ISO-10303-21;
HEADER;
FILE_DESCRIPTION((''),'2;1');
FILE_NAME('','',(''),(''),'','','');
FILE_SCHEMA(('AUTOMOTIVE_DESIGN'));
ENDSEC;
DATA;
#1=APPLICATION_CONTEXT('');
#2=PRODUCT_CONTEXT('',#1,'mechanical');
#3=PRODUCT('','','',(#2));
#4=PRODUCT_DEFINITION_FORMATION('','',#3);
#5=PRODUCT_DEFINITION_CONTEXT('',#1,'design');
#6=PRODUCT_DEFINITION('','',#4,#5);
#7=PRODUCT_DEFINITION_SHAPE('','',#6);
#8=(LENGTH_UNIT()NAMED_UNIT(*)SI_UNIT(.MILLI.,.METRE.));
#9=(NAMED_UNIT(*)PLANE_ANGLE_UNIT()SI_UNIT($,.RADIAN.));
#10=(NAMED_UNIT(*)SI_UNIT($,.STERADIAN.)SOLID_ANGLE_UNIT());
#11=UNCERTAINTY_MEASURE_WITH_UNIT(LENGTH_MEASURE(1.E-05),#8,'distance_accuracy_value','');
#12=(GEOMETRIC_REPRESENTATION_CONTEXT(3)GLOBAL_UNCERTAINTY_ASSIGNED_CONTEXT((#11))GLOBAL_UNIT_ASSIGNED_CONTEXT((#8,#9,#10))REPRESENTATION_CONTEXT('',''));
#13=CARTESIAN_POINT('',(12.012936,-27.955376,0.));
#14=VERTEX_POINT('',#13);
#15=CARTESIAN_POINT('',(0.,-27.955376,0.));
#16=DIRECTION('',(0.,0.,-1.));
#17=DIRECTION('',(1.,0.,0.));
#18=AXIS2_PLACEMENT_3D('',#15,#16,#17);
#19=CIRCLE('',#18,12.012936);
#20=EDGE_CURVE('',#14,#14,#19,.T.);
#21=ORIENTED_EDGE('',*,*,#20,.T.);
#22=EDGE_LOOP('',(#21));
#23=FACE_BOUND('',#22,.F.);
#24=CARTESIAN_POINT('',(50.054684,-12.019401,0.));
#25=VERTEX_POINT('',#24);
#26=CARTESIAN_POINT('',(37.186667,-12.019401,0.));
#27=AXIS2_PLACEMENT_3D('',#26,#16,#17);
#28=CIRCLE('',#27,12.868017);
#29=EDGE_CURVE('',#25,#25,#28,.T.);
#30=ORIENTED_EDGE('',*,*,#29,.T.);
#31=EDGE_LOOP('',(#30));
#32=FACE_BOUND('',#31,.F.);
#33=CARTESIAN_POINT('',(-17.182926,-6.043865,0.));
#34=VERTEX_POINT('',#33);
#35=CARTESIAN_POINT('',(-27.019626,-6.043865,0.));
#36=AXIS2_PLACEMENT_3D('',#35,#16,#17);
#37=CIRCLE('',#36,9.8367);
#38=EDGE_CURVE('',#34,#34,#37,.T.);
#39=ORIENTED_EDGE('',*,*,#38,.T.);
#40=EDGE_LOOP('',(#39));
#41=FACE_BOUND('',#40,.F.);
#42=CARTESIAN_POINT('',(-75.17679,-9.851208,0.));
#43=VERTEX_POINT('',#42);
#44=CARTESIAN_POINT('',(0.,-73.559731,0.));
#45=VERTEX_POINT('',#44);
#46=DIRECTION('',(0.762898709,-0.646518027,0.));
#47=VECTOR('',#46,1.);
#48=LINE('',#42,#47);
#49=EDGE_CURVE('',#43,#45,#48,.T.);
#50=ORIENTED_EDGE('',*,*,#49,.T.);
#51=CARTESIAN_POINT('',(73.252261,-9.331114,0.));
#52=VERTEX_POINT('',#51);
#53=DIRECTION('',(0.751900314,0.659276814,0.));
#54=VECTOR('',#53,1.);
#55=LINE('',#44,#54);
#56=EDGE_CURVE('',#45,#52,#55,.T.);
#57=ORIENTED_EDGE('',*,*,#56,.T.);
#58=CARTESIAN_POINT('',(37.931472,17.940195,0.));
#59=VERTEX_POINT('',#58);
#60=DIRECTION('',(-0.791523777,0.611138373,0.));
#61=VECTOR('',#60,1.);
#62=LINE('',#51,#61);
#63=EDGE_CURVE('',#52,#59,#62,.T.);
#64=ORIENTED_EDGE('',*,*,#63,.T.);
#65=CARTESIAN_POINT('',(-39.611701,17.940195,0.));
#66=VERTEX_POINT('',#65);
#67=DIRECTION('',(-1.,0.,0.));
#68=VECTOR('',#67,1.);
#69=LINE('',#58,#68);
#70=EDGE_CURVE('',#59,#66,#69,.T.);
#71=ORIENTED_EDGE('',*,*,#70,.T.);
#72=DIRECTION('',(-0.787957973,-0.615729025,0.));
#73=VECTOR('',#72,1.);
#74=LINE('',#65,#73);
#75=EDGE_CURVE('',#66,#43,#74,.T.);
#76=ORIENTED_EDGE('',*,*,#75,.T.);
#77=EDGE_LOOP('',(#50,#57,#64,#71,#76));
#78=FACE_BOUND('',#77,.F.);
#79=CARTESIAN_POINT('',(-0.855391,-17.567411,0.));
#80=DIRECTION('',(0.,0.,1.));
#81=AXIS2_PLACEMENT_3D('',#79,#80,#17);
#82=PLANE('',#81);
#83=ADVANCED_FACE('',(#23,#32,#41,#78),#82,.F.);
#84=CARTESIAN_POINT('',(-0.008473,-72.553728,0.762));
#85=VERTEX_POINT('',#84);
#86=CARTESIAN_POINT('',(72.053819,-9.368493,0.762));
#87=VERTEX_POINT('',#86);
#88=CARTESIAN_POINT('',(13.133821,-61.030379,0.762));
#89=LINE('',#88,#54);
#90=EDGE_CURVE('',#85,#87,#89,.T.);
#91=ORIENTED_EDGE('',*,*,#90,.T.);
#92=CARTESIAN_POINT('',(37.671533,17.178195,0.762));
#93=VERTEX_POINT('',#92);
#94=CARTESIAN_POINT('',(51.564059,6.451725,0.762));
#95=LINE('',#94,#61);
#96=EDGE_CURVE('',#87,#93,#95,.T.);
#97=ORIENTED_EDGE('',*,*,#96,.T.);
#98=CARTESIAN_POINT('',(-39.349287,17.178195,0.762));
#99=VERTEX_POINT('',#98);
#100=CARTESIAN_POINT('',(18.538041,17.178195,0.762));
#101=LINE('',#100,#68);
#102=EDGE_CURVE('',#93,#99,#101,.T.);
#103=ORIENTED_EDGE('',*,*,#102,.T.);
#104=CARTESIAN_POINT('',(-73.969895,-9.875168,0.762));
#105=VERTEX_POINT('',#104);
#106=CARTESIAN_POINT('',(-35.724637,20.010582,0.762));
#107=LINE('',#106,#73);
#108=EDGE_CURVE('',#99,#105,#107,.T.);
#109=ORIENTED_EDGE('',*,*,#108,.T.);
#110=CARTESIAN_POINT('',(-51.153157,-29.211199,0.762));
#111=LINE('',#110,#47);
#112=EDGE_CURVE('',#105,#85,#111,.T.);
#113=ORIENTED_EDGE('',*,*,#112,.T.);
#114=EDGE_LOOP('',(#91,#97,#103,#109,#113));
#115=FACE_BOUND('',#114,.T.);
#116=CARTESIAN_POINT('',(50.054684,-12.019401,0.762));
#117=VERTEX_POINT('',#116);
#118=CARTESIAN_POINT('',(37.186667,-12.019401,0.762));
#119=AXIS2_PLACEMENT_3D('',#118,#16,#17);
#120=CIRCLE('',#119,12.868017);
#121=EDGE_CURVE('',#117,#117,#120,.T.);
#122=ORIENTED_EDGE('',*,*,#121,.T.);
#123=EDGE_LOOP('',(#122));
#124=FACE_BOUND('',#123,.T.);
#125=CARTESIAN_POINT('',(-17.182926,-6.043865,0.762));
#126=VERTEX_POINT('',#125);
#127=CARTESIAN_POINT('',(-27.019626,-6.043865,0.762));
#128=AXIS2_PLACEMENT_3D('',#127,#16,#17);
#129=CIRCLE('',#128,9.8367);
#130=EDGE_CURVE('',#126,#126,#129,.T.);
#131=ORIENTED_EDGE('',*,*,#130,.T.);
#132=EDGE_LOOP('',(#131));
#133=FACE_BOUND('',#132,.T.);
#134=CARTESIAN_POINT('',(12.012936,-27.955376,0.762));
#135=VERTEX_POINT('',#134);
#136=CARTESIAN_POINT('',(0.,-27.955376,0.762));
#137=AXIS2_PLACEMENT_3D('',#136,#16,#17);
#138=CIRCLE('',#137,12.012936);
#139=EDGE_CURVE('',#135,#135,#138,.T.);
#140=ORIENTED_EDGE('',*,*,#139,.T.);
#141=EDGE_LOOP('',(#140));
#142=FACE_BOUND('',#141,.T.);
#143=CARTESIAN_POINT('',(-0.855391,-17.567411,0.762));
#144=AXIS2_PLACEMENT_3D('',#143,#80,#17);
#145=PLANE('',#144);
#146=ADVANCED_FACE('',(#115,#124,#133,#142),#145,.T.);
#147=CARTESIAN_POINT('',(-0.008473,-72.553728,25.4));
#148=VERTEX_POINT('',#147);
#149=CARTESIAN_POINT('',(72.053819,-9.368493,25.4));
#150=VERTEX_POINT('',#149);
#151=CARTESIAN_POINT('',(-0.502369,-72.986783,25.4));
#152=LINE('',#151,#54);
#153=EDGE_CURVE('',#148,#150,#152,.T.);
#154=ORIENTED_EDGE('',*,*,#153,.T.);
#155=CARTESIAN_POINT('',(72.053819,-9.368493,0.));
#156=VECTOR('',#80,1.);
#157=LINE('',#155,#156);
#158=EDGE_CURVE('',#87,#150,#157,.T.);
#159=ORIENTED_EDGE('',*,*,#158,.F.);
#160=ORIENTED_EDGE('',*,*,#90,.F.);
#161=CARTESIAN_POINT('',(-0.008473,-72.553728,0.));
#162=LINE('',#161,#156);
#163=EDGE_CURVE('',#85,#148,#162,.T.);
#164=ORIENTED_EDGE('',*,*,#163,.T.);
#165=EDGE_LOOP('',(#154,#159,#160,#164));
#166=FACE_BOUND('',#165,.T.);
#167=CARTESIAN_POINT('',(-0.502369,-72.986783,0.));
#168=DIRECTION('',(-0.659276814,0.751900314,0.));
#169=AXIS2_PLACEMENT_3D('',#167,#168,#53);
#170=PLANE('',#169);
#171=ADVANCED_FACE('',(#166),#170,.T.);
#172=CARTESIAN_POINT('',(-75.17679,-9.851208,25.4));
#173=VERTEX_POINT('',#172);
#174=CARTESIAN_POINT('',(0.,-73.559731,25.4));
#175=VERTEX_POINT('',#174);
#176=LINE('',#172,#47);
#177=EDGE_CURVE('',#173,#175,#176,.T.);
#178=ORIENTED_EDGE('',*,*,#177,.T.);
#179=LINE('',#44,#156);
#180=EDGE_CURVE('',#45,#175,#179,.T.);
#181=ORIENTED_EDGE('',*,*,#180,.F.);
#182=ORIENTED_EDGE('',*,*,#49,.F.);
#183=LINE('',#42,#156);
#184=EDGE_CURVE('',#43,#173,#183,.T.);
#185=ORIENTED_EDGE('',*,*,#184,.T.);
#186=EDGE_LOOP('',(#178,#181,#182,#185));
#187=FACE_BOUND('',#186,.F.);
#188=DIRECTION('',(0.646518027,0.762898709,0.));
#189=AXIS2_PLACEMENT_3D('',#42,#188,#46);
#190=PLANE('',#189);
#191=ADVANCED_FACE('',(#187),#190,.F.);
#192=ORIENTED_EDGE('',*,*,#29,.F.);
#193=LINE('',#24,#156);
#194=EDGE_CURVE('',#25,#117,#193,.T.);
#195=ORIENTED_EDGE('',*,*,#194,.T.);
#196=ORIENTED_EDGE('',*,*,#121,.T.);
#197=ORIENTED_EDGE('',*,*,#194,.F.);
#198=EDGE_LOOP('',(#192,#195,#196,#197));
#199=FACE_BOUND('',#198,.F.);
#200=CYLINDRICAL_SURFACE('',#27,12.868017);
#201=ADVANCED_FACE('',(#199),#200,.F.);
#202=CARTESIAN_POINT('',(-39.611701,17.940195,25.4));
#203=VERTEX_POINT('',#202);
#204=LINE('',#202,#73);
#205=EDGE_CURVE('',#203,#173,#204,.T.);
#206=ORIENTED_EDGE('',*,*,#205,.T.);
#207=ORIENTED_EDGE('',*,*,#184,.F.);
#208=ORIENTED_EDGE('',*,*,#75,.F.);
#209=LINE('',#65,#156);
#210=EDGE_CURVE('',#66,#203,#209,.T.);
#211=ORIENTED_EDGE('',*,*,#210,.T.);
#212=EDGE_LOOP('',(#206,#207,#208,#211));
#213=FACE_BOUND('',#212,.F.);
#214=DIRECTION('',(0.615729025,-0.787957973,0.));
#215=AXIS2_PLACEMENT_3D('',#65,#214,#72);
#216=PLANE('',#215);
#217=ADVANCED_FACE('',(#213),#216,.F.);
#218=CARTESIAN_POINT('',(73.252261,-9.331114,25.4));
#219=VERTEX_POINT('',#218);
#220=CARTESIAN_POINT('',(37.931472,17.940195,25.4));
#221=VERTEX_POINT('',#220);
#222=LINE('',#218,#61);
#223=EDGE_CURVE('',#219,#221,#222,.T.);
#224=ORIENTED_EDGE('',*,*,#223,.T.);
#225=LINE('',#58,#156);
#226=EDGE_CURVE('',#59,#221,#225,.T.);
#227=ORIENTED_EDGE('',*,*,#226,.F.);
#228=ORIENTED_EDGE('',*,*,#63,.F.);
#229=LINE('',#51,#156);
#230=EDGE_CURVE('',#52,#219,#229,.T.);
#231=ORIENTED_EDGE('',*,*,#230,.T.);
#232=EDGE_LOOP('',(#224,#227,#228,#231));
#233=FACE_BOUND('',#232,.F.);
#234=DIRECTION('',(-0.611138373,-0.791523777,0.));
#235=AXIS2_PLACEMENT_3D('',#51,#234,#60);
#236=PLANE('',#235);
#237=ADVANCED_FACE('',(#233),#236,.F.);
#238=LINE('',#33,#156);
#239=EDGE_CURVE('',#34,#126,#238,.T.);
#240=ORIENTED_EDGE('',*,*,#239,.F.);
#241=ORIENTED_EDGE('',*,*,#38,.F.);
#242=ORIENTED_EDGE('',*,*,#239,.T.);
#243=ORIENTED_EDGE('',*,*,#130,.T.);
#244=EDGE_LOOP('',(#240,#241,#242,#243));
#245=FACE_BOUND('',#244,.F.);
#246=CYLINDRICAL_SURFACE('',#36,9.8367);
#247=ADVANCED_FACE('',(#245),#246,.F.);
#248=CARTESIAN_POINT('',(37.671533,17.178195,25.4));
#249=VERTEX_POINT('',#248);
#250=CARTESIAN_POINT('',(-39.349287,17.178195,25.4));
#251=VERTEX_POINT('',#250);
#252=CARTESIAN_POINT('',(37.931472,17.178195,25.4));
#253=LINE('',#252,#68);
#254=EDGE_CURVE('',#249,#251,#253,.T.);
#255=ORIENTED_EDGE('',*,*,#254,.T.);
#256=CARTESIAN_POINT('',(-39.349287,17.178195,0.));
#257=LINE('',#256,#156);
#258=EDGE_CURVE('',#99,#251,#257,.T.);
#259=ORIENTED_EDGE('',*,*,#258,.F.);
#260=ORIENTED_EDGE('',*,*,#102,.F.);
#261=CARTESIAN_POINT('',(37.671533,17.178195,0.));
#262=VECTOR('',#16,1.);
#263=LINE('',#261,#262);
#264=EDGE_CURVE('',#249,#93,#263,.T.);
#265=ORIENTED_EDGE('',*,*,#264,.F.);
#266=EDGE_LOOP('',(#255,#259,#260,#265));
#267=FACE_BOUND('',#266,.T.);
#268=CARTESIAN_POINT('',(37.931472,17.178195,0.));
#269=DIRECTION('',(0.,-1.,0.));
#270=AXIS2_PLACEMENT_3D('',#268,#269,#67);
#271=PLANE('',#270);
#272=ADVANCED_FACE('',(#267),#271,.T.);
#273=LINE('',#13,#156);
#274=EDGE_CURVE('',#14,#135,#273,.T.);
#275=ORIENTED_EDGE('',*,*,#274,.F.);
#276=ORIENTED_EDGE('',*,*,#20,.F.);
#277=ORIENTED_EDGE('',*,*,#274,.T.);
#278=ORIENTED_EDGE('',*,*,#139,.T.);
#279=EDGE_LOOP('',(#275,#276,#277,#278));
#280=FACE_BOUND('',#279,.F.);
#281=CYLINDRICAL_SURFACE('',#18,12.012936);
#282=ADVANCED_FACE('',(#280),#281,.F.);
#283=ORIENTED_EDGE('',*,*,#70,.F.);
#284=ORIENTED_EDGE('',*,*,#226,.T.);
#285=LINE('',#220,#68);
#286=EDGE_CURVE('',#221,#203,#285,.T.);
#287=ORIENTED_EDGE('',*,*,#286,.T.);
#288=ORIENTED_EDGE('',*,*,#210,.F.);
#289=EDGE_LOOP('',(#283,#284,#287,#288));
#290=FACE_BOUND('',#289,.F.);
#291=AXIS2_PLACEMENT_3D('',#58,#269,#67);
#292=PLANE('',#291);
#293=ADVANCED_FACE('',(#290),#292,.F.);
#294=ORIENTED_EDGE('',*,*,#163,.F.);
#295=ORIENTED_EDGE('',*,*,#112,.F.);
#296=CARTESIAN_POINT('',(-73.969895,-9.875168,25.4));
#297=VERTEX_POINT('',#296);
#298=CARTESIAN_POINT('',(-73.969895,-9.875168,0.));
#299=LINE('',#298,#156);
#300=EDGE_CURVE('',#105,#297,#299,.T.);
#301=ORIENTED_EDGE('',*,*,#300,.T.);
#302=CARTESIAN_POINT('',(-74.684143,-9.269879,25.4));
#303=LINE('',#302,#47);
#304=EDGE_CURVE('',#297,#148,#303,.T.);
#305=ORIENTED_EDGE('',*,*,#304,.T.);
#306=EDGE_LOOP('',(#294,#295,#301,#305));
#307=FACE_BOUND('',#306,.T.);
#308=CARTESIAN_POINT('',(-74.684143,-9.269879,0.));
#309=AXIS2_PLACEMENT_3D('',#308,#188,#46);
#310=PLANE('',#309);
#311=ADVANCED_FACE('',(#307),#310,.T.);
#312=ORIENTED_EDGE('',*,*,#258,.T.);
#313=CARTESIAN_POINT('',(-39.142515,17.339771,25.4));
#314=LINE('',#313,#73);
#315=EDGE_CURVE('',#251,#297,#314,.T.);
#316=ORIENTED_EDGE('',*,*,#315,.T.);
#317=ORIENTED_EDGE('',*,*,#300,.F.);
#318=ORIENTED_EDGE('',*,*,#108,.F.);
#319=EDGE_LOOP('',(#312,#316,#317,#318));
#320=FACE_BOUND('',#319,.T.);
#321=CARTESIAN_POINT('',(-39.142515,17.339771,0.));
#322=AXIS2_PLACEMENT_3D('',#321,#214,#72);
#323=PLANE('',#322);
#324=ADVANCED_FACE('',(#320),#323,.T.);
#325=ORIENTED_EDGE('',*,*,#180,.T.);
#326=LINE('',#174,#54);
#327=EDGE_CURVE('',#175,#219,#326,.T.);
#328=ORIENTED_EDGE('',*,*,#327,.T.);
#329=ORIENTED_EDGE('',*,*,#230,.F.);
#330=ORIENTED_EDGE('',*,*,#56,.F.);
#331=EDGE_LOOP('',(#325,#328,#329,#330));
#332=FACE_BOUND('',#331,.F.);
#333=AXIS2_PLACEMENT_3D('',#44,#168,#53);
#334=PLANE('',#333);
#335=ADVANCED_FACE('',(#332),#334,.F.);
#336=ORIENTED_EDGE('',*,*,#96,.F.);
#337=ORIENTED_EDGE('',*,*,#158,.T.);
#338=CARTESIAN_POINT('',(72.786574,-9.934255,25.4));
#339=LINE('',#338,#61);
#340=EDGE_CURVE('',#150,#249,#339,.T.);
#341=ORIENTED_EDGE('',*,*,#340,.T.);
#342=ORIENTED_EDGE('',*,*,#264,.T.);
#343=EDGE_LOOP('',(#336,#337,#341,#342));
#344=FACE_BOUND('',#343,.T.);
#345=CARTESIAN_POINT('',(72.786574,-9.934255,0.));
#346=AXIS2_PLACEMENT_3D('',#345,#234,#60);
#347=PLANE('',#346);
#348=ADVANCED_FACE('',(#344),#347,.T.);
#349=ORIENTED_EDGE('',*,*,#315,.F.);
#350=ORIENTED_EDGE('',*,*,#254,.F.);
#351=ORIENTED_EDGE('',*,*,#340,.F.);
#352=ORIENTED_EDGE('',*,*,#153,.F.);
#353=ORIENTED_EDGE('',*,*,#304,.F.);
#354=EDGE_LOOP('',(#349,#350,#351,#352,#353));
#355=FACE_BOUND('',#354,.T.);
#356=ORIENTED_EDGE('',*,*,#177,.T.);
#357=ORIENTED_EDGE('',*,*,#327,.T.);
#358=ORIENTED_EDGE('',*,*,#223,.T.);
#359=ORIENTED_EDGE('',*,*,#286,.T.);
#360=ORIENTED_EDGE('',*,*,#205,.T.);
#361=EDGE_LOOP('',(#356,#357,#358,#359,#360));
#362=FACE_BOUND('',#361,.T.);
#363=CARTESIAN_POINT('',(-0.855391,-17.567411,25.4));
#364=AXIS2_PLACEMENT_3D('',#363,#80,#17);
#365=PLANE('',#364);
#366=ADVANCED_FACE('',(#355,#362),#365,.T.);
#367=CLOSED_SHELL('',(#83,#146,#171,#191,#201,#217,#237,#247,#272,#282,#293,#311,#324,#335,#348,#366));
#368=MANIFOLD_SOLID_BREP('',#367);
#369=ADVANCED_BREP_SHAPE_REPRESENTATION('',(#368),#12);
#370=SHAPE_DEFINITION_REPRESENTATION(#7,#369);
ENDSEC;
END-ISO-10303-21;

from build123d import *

# Parameters (mm, degrees)
F1_DEPTH = 25.4
F2_T     = -0.762
F3_R     = 12.012936
F4_DEPTH = 25.4
F5_R     = 12.868017
F5_R_2   = 9.8367
F6_DEPTH = 25.4


with BuildPart() as f1:
    # F0 (on Top) → F1 (new body)
    with BuildSketch(Plane.XY):
        Polygon((37.931472, 17.940195), (-39.611701, 17.940195), (-75.17679, -9.851208), (0, -73.559731), (73.252261, -9.331114), align=None)
    extrude(amount=F1_DEPTH)

    # F2
    f2_openings = [f1.faces().sort_by_distance(p)[0] for p in [
        (-0.795151, -17.594404, 25.4),
    ]]
    offset(amount=F2_T, openings=f2_openings)

    # F3 (on face) → F4 (cut)
    with BuildSketch(Plane(origin=(0, 0, 0), x_dir=(1, 0, 0), z_dir=(0, 0, -1))):
        with Locations((0, 27.955376)):
            Circle(F3_R)
    extrude(amount=-F4_DEPTH, mode=Mode.SUBTRACT)

    # F5 (on face) → F6 (cut)
    with BuildSketch(Plane(origin=(0, 0, 0), x_dir=(1, 0, 0), z_dir=(0, 0, -1))):
        with Locations((37.186667, 12.019401)):
            Circle(F5_R)
        with Locations((-27.019626, 6.043865)):
            Circle(F5_R_2)
    extrude(amount=-F6_DEPTH, mode=Mode.SUBTRACT)


solid = f1.part
